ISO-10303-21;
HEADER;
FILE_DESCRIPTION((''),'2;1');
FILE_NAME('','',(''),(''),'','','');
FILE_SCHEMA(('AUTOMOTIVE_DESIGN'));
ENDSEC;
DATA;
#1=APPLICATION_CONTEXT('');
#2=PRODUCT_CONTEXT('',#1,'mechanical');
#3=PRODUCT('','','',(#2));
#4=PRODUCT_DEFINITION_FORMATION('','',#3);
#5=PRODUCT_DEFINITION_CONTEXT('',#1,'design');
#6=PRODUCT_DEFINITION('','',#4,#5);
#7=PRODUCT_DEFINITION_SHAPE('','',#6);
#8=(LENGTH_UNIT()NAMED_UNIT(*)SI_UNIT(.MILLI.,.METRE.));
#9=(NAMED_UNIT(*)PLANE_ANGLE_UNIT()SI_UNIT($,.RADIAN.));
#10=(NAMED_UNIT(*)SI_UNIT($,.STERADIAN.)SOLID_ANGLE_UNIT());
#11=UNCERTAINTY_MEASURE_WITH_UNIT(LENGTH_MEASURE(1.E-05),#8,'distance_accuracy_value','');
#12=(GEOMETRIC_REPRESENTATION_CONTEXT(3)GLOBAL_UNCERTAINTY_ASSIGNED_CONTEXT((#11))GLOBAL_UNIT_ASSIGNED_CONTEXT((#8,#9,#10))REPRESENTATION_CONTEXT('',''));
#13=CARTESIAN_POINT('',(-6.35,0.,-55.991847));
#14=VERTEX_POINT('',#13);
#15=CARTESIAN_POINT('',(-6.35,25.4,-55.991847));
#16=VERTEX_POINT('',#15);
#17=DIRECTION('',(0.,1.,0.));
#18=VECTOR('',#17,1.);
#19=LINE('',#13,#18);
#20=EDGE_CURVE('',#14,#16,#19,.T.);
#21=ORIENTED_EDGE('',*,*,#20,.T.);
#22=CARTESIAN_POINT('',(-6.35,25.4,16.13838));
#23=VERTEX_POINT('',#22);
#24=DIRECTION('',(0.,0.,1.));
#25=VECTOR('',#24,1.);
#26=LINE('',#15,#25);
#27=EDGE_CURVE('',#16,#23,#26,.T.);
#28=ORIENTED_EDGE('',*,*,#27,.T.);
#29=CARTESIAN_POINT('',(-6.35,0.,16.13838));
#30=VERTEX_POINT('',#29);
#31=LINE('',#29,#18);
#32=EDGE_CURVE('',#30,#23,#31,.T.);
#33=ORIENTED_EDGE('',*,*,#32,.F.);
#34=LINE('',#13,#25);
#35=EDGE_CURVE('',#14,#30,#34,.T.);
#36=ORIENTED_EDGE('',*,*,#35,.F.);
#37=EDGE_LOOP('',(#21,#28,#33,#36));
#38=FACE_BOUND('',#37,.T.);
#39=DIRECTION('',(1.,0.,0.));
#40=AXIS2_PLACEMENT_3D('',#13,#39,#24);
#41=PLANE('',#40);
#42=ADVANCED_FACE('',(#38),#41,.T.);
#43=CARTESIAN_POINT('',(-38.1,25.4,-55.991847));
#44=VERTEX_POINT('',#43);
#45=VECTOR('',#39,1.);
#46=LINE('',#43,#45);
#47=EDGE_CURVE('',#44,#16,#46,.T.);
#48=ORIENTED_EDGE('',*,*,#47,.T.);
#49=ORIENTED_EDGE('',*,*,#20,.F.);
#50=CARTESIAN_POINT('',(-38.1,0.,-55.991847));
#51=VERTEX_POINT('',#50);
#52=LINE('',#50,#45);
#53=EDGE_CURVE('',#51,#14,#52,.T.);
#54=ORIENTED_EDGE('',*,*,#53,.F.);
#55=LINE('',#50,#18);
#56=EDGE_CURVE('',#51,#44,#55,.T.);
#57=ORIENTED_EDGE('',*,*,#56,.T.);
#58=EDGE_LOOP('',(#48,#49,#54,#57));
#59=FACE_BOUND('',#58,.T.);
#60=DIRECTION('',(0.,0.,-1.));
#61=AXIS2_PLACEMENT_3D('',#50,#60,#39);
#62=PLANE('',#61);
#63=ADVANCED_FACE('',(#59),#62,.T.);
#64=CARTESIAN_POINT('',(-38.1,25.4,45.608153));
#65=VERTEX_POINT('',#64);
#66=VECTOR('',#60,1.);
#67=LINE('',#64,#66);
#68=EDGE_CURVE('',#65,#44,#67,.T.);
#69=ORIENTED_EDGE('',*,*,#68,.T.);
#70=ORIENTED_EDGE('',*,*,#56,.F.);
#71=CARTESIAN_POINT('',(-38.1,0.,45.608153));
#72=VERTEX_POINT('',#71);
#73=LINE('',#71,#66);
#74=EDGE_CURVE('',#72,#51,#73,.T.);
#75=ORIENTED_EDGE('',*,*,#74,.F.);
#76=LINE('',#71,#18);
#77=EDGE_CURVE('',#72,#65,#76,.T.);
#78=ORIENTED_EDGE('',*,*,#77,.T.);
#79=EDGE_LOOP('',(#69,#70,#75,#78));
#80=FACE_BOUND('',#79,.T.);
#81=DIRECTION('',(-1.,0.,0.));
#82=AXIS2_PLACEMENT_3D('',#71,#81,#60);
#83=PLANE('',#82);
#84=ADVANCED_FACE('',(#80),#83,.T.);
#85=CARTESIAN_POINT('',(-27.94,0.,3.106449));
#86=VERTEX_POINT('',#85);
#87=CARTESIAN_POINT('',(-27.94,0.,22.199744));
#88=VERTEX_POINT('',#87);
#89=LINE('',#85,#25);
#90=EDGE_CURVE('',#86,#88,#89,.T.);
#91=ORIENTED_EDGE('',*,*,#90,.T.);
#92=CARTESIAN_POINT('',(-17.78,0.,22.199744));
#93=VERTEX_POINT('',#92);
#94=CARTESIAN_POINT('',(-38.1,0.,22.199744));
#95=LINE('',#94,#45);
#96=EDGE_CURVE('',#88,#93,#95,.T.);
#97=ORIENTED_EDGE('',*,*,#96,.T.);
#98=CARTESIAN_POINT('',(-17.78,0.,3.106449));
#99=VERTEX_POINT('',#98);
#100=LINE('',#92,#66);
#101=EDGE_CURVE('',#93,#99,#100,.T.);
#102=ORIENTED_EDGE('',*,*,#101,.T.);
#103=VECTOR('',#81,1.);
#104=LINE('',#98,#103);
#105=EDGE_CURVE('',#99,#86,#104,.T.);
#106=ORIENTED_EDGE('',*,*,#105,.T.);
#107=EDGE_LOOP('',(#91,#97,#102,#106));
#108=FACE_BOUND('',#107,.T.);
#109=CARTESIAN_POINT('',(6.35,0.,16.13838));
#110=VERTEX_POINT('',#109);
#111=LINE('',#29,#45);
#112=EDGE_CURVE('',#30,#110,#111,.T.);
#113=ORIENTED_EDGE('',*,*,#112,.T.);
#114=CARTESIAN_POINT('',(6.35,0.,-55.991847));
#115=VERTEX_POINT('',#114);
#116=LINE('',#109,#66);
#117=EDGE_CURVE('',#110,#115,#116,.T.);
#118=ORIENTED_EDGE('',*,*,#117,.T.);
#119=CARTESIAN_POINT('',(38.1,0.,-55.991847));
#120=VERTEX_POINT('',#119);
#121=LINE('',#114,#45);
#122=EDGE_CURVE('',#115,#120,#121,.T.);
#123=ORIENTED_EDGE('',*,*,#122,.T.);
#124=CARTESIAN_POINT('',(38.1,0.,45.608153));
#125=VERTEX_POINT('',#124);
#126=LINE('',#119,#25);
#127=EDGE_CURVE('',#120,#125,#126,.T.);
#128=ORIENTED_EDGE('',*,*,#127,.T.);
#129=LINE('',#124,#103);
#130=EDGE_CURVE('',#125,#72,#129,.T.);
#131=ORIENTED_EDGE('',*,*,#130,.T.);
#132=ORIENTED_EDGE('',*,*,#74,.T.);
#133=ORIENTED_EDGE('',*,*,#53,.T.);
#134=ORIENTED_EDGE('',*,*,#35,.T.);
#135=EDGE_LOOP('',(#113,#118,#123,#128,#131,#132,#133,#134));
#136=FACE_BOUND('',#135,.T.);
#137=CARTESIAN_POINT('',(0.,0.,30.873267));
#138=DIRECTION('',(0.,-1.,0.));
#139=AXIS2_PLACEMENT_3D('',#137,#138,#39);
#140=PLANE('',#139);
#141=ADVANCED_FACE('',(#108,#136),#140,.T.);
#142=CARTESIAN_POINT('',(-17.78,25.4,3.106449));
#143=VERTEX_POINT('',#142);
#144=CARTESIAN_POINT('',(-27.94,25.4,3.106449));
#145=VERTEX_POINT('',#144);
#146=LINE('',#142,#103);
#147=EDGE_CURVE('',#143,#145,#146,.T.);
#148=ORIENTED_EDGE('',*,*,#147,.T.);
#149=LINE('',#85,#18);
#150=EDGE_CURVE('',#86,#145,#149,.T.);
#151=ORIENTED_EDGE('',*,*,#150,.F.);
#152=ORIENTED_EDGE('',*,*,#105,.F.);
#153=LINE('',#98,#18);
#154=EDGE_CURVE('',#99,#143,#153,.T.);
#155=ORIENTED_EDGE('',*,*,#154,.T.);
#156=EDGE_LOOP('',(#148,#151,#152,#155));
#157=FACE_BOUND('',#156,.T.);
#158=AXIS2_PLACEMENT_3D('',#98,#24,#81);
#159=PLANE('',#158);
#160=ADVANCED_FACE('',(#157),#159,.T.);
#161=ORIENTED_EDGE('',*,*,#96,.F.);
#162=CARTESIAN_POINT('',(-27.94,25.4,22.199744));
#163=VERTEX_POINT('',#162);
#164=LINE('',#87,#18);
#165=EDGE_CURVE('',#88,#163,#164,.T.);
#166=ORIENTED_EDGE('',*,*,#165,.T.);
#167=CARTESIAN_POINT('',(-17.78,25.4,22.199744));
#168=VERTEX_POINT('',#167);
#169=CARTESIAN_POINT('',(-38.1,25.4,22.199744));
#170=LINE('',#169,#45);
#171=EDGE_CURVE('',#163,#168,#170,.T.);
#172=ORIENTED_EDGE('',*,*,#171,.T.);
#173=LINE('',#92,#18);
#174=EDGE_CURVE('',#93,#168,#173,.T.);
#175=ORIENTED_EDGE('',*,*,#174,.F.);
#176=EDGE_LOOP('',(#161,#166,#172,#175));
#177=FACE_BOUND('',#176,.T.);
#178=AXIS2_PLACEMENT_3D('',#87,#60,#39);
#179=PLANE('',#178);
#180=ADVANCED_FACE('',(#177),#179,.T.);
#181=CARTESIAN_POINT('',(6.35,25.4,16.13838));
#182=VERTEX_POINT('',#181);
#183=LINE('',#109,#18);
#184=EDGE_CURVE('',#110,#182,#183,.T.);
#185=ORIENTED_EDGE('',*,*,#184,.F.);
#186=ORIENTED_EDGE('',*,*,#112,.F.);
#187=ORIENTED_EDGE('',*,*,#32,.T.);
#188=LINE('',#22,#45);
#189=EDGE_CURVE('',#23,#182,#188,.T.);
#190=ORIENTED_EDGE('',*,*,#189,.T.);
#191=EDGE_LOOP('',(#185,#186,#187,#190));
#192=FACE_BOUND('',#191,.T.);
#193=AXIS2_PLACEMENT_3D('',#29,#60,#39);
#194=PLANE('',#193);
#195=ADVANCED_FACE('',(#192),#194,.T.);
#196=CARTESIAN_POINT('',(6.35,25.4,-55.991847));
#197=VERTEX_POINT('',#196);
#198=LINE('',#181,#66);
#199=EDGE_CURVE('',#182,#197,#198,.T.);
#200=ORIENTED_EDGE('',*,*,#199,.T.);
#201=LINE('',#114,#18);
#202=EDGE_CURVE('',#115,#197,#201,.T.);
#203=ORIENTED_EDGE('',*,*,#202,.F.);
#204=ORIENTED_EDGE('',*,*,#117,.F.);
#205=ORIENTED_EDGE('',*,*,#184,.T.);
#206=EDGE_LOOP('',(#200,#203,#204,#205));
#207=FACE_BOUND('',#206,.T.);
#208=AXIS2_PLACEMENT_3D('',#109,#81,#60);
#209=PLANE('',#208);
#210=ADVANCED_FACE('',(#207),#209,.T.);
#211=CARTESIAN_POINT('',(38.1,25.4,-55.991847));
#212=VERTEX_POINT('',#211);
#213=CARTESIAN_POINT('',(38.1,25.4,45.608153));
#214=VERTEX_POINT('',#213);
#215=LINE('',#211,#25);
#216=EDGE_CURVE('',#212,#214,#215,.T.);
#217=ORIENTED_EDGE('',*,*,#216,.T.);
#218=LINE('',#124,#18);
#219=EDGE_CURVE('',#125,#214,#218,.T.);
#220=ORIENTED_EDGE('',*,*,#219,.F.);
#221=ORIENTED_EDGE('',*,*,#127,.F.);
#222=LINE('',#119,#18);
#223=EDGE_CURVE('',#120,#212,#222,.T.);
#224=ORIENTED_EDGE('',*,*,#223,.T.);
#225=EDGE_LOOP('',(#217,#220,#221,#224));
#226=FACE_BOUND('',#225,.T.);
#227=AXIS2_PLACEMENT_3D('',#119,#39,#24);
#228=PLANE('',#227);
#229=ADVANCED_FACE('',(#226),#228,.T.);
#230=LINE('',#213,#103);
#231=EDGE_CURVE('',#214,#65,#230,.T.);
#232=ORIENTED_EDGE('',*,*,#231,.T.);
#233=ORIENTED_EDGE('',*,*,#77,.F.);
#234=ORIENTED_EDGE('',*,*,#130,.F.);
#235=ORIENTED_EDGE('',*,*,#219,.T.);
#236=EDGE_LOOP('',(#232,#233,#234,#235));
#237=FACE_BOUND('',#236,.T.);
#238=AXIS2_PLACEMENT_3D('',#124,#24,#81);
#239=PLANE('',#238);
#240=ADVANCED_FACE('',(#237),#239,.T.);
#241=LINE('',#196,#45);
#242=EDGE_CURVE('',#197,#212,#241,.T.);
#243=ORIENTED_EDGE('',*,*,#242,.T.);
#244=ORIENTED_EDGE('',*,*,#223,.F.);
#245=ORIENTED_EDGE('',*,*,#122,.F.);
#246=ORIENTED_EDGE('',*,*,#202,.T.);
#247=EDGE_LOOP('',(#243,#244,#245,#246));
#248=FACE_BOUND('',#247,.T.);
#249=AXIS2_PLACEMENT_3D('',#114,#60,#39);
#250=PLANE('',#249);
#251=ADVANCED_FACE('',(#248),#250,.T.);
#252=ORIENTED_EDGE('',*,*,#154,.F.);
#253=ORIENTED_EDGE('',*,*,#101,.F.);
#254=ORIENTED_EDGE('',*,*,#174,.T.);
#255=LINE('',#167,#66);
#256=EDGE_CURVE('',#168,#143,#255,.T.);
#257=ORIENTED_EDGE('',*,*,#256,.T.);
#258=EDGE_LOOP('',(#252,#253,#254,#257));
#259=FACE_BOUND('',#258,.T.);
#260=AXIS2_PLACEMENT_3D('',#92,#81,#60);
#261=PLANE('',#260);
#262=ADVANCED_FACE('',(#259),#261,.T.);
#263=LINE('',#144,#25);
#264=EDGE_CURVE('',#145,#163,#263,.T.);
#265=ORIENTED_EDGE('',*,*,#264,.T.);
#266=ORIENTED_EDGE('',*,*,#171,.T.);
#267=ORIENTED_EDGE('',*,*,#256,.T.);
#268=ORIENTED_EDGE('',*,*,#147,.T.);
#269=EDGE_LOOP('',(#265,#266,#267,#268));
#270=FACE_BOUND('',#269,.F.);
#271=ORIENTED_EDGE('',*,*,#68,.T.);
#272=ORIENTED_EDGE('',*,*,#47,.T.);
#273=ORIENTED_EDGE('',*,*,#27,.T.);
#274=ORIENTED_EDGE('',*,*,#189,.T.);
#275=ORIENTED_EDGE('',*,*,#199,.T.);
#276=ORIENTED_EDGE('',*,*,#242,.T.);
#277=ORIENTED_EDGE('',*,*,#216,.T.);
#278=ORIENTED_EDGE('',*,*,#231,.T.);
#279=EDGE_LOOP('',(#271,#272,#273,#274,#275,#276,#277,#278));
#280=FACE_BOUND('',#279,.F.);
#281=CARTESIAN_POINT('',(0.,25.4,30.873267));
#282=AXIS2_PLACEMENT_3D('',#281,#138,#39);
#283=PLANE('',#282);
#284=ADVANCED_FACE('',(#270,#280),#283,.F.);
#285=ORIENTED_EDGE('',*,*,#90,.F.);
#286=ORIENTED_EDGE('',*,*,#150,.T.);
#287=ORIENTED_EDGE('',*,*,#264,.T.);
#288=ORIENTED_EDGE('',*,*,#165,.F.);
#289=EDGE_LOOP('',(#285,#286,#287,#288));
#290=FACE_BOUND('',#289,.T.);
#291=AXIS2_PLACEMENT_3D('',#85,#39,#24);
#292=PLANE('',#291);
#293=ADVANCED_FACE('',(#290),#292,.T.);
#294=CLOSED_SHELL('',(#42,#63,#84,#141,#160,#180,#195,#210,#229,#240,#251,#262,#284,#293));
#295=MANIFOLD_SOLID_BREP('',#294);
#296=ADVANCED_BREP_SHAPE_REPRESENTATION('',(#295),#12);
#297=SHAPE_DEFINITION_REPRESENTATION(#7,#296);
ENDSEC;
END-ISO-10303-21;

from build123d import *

# Parameters (mm, degrees)
F0_W     = 10.16
F0_H     = 6.35
F0_H_2   = 6.0613639653
F0_H_3   = 6.9705683272
F0_H_4   = 6.5159656806
F0_H_5   = 6.061363034
F0_H_6   = 3.0306819826
F0_H_7   = 3.485283698
F1_DEPTH = 25.4


with BuildPart() as f1:
    # F0 (on Front) → F1 (new body)
    with BuildSketch(Plane.XZ):
        Polygon((6.35, 45.6081529319), (0, 45.6081529319), (-6.35, 45.6081529319), (-6.35, 16.1383803934), (6.35, 16.1383803934), align=None)
        Polygon((-6.35, 16.1383803934), (-6.35, 45.6081529319), (-27.94, 45.6081529319), (-27.94, 39.2581529319), (-38.1, 39.2581529319), (-38.1, 22.1997443587), (-27.94, 22.1997443587), (-17.78, 22.1997443587), (-17.78, 16.1383803934), (-17.78, 10.0770173594), (-17.78, 3.1064490322), (-27.94, 3.1064490322), (-38.1, 3.1064490322), (-38.1, -55.9918470681), (-6.35, -55.9918470681), align=None)
        Polygon((19.05, 45.6081529319), (6.35, 45.6081529319), (6.35, 16.1383803934), (6.35, -55.9918470681), (38.1, -55.9918470681), (38.1, 3.1064490322), (27.94, 3.1064490322), (27.94, 9.6224147128), (27.94, 12.6530966954), (27.94, 16.1383803934), (27.94, 22.1997443587), (38.1, 22.1997443587), (38.1, 39.2581529319), (27.94, 39.2581529319), (27.94, 45.6081529319), align=None)
        with Locations((-33.02, 42.4331529319)):
            Rectangle(F0_W, F0_H)
        Polygon((36.83, 45.6081529319), (27.94, 45.6081529319), (27.94, 39.2581529319), (38.1, 39.2581529319), (38.1, 45.6081529319), align=None)
        with Locations((-33.02, 19.169062376)):
            Rectangle(F0_W, F0_H_2)
        with Locations((-33.02, 6.5917331958)):
            Rectangle(F0_W, F0_H_3)
        with Locations((33.02, 6.3644318725)):
            Rectangle(F0_W, F0_H_4)
        with Locations((-33.02, 13.1076988764)):
            Rectangle(F0_W, F0_H_5)
        with Locations((33.02, 19.169062376)):
            Rectangle(F0_W, F0_H_2)
        with Locations((33.02, 11.1377557041)):
            Rectangle(F0_W, F0_H_6)
        with Locations((33.02, 14.3957385444)):
            Rectangle(F0_W, F0_H_7)
    extrude(amount=-F1_DEPTH)


solid = f1.part
